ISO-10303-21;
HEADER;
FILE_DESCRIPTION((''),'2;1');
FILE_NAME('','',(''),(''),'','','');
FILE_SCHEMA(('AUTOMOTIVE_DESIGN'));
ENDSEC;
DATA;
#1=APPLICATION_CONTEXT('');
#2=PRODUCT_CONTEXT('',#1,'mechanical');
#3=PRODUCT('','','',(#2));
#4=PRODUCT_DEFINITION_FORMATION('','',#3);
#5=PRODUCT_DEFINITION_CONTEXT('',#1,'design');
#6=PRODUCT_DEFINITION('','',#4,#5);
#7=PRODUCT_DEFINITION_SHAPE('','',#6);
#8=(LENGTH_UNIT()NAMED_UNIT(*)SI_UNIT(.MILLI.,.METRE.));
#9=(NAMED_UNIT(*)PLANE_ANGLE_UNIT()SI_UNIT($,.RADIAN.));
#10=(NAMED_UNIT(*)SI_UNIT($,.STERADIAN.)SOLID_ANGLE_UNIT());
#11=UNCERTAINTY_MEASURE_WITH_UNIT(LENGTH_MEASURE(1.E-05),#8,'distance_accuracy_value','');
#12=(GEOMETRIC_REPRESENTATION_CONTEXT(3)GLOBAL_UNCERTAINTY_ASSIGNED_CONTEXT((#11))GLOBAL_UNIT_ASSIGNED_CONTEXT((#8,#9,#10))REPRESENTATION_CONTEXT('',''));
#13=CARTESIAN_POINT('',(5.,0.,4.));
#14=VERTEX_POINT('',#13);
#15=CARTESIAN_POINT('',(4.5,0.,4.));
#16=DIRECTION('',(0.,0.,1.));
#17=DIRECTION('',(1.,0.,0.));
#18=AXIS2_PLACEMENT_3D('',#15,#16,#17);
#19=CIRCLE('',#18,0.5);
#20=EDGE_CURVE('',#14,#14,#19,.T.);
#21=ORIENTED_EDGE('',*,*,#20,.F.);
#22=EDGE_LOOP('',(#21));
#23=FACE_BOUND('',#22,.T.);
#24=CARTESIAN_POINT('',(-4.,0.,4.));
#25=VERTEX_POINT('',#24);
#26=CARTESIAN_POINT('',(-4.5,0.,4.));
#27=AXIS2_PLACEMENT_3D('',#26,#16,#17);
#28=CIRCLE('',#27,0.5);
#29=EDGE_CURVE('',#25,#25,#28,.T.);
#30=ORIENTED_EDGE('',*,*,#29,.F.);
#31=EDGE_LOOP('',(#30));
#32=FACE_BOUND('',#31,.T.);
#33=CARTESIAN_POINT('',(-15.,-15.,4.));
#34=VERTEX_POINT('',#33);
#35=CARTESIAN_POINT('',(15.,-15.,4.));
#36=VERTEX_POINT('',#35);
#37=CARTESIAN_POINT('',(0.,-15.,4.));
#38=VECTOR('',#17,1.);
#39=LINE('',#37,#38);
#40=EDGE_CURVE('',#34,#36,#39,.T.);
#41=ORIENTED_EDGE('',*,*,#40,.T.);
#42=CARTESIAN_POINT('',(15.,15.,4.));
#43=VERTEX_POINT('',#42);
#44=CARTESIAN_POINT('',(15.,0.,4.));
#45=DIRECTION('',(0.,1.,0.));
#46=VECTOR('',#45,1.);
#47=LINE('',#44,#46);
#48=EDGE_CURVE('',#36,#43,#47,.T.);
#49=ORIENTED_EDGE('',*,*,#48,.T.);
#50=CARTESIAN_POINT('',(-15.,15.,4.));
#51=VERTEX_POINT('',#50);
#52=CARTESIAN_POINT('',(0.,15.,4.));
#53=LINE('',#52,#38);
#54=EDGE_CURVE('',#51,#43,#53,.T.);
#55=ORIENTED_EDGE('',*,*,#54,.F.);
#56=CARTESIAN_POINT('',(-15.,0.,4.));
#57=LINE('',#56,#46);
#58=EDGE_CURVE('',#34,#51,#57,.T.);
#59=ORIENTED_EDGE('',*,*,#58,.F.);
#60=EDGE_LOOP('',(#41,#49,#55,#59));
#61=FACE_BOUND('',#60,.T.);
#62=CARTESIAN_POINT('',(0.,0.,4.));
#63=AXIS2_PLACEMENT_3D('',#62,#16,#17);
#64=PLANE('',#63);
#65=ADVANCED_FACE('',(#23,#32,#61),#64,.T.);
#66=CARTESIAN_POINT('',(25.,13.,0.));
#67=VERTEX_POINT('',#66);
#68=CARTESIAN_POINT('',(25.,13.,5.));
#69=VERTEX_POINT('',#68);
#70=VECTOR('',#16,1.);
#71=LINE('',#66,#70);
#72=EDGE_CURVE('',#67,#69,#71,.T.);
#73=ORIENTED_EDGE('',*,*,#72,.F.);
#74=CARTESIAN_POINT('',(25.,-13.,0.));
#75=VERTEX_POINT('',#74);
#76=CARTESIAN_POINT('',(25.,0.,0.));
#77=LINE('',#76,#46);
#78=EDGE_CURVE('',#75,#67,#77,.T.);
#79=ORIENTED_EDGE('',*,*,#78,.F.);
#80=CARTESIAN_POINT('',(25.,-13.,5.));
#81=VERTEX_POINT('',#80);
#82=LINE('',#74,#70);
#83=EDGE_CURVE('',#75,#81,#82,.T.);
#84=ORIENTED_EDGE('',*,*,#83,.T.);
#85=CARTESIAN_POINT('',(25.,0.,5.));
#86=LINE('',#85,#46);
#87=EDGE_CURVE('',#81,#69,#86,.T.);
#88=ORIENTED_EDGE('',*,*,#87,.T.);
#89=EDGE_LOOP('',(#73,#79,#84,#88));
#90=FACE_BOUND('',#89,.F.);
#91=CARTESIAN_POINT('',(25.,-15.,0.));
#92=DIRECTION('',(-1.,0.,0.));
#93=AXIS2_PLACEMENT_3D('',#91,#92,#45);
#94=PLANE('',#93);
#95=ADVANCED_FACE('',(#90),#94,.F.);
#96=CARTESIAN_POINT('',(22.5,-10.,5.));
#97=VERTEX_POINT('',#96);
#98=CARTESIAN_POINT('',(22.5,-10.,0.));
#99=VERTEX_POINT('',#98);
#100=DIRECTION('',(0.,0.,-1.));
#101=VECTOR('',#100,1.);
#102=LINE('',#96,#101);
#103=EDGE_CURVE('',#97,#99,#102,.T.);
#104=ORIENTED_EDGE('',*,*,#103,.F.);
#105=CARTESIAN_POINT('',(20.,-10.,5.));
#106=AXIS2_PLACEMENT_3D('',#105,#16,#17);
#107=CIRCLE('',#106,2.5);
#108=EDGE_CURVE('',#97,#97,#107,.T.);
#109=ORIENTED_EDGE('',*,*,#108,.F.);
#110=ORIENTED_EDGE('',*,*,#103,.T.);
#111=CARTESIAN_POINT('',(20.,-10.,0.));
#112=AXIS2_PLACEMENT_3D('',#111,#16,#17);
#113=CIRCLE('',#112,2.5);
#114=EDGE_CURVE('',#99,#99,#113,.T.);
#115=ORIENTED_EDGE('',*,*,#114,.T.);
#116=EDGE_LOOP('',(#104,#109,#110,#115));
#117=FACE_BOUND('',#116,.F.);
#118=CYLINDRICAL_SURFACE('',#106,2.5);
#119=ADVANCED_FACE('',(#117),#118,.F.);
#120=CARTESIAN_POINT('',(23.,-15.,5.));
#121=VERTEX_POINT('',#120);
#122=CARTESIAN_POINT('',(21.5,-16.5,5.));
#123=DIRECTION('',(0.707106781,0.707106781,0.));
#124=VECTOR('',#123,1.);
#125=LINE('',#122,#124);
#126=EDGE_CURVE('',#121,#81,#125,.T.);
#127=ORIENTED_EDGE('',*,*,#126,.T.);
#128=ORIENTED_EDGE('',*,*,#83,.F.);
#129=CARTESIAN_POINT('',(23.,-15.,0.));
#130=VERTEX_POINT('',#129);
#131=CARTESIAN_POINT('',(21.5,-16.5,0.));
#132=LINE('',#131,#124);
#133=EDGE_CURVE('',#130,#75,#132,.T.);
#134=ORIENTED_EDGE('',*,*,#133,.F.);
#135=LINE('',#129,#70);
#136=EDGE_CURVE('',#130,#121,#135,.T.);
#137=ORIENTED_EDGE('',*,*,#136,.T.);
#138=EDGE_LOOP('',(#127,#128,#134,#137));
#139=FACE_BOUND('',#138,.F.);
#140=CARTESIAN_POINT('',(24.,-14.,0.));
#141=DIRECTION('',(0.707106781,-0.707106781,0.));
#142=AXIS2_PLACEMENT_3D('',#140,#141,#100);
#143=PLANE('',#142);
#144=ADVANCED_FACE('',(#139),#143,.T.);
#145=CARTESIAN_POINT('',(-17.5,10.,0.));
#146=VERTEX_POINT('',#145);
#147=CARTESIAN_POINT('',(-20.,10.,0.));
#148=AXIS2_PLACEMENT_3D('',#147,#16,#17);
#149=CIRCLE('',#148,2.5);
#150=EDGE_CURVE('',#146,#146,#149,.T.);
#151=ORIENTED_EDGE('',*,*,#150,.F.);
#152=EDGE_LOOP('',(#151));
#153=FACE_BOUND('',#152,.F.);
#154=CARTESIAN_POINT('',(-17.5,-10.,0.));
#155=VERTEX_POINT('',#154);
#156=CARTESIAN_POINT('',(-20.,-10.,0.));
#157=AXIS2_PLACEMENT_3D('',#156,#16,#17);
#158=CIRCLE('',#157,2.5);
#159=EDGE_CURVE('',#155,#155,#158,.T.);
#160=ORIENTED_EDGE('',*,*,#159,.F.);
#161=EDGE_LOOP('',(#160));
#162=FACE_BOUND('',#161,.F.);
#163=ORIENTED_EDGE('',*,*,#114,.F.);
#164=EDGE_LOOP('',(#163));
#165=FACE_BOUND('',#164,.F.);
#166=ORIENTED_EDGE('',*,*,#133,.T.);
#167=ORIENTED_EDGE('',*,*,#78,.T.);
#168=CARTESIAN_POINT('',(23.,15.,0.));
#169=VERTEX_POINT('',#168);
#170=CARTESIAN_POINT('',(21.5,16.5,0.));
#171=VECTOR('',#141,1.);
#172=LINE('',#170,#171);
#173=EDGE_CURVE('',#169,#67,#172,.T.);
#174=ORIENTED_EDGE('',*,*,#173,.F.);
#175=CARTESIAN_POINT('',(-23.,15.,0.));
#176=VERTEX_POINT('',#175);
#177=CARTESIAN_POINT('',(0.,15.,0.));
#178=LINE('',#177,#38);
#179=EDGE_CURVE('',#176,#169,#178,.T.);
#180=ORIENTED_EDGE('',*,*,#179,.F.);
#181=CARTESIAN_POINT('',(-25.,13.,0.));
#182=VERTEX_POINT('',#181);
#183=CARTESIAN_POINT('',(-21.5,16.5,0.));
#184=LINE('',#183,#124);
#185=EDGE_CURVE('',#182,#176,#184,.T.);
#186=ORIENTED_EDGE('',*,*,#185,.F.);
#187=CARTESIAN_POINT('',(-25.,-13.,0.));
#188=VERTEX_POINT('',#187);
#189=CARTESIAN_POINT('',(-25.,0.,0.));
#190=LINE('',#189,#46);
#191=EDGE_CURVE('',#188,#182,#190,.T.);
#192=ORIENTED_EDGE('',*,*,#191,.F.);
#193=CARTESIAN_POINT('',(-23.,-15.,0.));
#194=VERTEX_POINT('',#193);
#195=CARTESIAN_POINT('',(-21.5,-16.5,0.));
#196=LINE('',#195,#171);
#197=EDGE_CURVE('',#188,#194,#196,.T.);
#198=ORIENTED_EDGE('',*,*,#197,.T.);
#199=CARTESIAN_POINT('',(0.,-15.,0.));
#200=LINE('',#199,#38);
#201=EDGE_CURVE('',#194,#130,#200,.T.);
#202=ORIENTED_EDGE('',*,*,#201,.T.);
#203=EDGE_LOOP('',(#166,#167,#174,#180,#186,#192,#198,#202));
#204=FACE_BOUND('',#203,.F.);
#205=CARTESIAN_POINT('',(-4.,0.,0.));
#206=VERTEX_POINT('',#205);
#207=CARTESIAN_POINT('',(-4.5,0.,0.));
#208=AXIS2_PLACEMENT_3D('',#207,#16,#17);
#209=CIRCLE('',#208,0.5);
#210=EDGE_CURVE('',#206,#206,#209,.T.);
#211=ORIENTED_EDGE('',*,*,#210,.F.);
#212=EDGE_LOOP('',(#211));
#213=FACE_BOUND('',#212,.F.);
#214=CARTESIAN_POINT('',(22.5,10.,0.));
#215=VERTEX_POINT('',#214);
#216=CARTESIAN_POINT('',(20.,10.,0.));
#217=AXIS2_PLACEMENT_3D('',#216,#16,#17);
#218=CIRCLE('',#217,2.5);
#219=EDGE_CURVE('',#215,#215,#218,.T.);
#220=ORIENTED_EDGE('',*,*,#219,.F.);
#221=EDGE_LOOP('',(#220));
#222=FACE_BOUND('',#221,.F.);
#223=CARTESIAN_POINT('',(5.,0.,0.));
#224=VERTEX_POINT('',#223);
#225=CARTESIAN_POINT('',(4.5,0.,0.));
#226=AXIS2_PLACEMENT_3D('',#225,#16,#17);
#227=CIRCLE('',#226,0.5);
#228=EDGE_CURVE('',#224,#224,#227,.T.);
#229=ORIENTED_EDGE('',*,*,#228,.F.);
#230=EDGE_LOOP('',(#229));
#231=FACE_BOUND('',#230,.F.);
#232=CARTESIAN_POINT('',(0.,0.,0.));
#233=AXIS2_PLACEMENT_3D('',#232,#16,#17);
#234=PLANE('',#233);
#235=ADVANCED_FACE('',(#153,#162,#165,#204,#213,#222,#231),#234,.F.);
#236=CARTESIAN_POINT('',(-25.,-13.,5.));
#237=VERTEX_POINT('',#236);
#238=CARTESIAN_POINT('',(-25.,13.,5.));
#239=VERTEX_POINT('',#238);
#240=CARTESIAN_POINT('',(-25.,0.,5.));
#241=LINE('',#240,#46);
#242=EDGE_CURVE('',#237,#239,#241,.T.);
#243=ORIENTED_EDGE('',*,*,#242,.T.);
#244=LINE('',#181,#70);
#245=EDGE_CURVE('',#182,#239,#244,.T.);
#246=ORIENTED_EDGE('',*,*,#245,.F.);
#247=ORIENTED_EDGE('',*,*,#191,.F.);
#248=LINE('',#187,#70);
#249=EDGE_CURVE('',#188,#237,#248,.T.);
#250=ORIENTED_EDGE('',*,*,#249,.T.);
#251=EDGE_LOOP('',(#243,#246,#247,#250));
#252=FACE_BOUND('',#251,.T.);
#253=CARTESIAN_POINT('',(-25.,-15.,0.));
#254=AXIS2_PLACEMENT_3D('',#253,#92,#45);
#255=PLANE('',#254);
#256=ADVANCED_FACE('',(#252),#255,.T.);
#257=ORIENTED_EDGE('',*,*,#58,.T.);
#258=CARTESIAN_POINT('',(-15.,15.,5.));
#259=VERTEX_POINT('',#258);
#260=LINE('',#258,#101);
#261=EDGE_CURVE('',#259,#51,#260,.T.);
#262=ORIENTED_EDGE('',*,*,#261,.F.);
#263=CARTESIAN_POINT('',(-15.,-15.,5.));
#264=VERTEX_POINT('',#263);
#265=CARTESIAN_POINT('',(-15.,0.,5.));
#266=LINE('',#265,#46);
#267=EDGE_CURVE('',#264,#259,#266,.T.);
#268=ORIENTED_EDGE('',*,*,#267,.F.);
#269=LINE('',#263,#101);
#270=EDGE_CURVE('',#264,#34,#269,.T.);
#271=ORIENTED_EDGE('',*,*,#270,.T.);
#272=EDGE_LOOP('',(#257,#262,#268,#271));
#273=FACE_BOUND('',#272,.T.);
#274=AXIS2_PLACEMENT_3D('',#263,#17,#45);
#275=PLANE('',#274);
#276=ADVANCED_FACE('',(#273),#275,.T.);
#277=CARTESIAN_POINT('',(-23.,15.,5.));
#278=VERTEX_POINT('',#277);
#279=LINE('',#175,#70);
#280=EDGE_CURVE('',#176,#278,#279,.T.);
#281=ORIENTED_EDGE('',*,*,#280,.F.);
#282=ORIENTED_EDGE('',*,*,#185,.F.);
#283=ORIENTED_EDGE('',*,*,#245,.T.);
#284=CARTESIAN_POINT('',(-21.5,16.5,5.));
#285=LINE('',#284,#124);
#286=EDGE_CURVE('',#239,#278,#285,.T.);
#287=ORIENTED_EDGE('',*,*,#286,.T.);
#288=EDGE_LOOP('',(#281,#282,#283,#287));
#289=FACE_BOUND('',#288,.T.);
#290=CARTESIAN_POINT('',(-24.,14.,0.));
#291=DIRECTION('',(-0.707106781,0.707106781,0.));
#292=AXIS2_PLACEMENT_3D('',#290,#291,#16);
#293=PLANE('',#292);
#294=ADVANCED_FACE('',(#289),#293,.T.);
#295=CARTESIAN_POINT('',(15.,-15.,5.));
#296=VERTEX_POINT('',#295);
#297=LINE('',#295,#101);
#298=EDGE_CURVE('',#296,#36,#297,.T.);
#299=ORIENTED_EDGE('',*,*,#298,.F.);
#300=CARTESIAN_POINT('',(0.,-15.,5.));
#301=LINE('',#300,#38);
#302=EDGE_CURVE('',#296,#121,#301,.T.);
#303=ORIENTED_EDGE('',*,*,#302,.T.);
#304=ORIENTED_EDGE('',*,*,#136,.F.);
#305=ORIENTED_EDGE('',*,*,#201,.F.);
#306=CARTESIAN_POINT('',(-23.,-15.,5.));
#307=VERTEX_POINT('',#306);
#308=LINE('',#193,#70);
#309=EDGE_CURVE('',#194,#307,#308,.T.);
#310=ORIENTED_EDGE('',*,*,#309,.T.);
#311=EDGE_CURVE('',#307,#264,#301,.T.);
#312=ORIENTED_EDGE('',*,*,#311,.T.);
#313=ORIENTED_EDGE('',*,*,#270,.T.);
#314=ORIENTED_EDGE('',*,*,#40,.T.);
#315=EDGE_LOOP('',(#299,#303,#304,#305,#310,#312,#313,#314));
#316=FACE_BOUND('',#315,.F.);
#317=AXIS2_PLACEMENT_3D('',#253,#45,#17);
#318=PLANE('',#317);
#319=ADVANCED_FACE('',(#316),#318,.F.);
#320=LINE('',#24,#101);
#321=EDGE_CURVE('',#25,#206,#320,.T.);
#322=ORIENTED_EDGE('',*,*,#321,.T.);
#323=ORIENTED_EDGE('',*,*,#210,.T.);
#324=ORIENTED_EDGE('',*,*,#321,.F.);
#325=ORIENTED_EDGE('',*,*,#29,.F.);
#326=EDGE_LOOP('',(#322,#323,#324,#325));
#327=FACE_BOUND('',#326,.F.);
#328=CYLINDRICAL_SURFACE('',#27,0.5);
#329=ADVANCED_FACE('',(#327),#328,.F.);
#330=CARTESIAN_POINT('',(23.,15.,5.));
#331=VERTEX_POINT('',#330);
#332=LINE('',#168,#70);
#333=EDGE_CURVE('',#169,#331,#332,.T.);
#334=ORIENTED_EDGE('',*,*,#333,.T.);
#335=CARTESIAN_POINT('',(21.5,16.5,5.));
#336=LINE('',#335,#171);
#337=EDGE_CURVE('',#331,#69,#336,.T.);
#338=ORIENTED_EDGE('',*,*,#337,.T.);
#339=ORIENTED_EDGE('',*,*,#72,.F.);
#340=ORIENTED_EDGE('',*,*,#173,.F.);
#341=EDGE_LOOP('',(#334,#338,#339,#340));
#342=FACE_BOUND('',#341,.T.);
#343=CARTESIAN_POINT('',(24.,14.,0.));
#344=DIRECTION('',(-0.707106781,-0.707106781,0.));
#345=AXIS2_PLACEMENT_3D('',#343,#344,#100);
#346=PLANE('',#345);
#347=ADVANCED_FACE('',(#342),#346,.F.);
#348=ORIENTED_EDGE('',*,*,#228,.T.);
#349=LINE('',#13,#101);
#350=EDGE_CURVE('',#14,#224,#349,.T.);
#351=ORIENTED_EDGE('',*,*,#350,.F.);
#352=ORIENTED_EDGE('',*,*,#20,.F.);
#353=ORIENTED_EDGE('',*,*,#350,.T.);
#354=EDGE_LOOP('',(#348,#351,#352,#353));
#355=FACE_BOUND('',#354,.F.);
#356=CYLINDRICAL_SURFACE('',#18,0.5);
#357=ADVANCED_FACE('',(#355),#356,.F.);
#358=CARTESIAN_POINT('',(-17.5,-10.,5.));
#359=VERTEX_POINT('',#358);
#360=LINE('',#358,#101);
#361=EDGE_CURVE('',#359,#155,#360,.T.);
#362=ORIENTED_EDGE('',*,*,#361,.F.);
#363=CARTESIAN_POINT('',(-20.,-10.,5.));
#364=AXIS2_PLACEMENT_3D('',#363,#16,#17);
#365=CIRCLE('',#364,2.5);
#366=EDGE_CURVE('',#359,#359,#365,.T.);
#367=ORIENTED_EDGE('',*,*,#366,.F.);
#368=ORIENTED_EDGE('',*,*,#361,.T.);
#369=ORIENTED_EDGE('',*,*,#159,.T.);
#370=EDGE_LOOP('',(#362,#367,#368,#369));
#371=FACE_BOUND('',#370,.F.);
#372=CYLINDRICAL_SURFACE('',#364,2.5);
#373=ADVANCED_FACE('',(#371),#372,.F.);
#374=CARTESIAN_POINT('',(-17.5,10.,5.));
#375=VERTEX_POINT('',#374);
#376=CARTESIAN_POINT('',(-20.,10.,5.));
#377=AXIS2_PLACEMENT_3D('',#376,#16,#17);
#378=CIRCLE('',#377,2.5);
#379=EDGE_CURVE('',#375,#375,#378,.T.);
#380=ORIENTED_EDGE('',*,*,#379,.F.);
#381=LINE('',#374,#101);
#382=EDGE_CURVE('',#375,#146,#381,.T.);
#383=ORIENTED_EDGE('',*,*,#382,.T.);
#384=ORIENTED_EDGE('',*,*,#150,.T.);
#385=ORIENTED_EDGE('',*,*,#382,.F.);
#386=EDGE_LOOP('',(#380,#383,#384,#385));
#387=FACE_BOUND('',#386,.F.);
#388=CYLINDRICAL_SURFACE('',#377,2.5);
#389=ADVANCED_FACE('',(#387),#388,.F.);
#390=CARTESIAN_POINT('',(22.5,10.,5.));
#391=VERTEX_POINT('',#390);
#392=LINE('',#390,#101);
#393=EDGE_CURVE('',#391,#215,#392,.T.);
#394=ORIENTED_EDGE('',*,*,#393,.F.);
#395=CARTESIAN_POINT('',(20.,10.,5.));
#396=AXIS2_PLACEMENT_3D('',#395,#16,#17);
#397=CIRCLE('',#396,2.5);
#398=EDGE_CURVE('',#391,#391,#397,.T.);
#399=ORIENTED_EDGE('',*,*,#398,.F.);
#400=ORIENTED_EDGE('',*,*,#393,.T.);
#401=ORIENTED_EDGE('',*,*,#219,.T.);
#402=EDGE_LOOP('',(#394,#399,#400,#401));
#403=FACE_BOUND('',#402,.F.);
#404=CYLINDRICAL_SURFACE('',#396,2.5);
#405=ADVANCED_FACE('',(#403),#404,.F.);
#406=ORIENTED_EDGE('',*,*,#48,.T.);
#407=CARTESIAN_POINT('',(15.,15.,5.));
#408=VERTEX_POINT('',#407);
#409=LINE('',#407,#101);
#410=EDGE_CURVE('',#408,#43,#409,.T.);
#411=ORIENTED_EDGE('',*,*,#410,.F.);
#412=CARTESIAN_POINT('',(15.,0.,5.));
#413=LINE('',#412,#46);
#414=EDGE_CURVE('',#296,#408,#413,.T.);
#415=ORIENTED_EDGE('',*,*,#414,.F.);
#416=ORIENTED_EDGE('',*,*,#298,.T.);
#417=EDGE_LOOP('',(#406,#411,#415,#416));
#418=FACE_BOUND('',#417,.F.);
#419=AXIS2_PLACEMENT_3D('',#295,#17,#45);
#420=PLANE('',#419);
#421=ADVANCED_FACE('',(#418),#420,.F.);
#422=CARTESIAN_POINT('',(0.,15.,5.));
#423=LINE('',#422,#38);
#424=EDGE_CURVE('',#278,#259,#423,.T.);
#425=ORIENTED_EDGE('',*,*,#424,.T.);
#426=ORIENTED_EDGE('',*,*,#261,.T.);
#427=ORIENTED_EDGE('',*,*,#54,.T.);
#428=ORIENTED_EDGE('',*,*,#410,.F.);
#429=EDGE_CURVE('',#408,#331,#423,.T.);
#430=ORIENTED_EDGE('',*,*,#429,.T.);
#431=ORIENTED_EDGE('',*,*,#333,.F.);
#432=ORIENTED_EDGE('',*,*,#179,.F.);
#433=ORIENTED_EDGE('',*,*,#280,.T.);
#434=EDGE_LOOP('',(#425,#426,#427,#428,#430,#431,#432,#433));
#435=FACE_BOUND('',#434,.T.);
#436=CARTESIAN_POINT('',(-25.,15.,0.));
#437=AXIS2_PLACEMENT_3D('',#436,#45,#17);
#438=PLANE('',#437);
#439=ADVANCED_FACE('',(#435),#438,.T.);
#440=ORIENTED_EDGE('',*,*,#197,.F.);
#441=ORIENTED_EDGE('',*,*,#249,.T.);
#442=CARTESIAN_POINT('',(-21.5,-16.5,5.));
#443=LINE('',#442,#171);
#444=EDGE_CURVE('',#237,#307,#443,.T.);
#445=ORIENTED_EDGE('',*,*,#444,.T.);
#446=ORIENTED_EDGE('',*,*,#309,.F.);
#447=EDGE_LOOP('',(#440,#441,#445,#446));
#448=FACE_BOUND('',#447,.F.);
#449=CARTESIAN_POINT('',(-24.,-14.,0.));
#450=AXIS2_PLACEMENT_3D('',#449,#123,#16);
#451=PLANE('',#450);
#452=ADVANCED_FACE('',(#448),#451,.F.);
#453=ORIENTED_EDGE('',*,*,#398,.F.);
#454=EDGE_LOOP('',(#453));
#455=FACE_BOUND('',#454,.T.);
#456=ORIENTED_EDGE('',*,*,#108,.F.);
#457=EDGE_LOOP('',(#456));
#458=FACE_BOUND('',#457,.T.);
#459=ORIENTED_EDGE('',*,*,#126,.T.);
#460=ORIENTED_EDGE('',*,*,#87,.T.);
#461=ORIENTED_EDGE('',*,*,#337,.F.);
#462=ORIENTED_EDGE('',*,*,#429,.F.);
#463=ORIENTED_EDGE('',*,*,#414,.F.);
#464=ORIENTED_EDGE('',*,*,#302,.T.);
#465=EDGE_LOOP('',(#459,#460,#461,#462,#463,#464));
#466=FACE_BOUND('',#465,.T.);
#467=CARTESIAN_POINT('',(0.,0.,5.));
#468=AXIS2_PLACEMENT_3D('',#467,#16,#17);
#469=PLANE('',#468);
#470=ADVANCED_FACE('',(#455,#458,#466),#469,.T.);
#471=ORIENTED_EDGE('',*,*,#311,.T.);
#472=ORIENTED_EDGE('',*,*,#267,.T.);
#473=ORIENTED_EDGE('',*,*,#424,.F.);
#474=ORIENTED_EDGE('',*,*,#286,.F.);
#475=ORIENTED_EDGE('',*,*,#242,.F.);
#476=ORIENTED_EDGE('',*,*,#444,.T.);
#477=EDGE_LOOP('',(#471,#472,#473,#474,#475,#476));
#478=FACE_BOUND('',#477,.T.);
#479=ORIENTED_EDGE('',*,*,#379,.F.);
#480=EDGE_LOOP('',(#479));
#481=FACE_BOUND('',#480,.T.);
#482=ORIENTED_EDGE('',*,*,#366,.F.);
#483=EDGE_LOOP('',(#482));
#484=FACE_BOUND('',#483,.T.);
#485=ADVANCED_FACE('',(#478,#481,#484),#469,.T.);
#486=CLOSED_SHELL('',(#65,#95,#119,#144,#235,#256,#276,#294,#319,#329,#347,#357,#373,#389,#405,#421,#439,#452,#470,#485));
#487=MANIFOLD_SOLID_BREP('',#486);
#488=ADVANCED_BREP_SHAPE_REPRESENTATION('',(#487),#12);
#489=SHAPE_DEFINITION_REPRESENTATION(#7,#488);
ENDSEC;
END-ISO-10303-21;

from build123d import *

# Parameters (mm, degrees)
F0_W     = 50
F0_H     = 30
F1_DEPTH = 5
F2_W     = 30
F2_H     = 30
F3_DEPTH = 1
F4_SIZE  = 2
F5_R     = 2.5
F6_DEPTH = 25
F7_R     = 0.5
F8_DEPTH = 25


with BuildPart() as f1:
    # F0 (on Top) → F1 (new body)
    with BuildSketch(Plane.XY):
        Rectangle(F0_W, F0_H)
    extrude(amount=F1_DEPTH)

    # F2 (on face) → F3 (cut)
    with BuildSketch(Plane.XY.offset(5)):
        Rectangle(F2_W, F2_H)
    extrude(amount=-F3_DEPTH, mode=Mode.SUBTRACT)

    # F4
    f4_edges = [f1.edges().sort_by_distance(p)[0] for p in [
        (-25, 15, 2.5),
        (-25, -15, 2.5),
        (25, -15, 2.5),
        (25, 15, 2.5),
    ]]
    chamfer(f4_edges, length=F4_SIZE)

    # F5 (on face) → F6 (cut)
    with BuildSketch(Plane.XY.offset(5)):
        with Locations((-20, 10)):
            Circle(F5_R)
        with Locations((-20, -10)):
            Circle(F5_R)
        with Locations((20, -10)):
            Circle(F5_R)
        with Locations((20, 10)):
            Circle(F5_R)
    extrude(amount=-F6_DEPTH, mode=Mode.SUBTRACT)

    # F7 (on face) → F8 (cut)
    with BuildSketch(Plane.XY.offset(4)):
        with Locations((-4.5, 0)):
            Circle(F7_R)
        with Locations((4.5, 0)):
            Circle(F7_R)
    extrude(amount=-F8_DEPTH, mode=Mode.SUBTRACT)


solid = f1.part
